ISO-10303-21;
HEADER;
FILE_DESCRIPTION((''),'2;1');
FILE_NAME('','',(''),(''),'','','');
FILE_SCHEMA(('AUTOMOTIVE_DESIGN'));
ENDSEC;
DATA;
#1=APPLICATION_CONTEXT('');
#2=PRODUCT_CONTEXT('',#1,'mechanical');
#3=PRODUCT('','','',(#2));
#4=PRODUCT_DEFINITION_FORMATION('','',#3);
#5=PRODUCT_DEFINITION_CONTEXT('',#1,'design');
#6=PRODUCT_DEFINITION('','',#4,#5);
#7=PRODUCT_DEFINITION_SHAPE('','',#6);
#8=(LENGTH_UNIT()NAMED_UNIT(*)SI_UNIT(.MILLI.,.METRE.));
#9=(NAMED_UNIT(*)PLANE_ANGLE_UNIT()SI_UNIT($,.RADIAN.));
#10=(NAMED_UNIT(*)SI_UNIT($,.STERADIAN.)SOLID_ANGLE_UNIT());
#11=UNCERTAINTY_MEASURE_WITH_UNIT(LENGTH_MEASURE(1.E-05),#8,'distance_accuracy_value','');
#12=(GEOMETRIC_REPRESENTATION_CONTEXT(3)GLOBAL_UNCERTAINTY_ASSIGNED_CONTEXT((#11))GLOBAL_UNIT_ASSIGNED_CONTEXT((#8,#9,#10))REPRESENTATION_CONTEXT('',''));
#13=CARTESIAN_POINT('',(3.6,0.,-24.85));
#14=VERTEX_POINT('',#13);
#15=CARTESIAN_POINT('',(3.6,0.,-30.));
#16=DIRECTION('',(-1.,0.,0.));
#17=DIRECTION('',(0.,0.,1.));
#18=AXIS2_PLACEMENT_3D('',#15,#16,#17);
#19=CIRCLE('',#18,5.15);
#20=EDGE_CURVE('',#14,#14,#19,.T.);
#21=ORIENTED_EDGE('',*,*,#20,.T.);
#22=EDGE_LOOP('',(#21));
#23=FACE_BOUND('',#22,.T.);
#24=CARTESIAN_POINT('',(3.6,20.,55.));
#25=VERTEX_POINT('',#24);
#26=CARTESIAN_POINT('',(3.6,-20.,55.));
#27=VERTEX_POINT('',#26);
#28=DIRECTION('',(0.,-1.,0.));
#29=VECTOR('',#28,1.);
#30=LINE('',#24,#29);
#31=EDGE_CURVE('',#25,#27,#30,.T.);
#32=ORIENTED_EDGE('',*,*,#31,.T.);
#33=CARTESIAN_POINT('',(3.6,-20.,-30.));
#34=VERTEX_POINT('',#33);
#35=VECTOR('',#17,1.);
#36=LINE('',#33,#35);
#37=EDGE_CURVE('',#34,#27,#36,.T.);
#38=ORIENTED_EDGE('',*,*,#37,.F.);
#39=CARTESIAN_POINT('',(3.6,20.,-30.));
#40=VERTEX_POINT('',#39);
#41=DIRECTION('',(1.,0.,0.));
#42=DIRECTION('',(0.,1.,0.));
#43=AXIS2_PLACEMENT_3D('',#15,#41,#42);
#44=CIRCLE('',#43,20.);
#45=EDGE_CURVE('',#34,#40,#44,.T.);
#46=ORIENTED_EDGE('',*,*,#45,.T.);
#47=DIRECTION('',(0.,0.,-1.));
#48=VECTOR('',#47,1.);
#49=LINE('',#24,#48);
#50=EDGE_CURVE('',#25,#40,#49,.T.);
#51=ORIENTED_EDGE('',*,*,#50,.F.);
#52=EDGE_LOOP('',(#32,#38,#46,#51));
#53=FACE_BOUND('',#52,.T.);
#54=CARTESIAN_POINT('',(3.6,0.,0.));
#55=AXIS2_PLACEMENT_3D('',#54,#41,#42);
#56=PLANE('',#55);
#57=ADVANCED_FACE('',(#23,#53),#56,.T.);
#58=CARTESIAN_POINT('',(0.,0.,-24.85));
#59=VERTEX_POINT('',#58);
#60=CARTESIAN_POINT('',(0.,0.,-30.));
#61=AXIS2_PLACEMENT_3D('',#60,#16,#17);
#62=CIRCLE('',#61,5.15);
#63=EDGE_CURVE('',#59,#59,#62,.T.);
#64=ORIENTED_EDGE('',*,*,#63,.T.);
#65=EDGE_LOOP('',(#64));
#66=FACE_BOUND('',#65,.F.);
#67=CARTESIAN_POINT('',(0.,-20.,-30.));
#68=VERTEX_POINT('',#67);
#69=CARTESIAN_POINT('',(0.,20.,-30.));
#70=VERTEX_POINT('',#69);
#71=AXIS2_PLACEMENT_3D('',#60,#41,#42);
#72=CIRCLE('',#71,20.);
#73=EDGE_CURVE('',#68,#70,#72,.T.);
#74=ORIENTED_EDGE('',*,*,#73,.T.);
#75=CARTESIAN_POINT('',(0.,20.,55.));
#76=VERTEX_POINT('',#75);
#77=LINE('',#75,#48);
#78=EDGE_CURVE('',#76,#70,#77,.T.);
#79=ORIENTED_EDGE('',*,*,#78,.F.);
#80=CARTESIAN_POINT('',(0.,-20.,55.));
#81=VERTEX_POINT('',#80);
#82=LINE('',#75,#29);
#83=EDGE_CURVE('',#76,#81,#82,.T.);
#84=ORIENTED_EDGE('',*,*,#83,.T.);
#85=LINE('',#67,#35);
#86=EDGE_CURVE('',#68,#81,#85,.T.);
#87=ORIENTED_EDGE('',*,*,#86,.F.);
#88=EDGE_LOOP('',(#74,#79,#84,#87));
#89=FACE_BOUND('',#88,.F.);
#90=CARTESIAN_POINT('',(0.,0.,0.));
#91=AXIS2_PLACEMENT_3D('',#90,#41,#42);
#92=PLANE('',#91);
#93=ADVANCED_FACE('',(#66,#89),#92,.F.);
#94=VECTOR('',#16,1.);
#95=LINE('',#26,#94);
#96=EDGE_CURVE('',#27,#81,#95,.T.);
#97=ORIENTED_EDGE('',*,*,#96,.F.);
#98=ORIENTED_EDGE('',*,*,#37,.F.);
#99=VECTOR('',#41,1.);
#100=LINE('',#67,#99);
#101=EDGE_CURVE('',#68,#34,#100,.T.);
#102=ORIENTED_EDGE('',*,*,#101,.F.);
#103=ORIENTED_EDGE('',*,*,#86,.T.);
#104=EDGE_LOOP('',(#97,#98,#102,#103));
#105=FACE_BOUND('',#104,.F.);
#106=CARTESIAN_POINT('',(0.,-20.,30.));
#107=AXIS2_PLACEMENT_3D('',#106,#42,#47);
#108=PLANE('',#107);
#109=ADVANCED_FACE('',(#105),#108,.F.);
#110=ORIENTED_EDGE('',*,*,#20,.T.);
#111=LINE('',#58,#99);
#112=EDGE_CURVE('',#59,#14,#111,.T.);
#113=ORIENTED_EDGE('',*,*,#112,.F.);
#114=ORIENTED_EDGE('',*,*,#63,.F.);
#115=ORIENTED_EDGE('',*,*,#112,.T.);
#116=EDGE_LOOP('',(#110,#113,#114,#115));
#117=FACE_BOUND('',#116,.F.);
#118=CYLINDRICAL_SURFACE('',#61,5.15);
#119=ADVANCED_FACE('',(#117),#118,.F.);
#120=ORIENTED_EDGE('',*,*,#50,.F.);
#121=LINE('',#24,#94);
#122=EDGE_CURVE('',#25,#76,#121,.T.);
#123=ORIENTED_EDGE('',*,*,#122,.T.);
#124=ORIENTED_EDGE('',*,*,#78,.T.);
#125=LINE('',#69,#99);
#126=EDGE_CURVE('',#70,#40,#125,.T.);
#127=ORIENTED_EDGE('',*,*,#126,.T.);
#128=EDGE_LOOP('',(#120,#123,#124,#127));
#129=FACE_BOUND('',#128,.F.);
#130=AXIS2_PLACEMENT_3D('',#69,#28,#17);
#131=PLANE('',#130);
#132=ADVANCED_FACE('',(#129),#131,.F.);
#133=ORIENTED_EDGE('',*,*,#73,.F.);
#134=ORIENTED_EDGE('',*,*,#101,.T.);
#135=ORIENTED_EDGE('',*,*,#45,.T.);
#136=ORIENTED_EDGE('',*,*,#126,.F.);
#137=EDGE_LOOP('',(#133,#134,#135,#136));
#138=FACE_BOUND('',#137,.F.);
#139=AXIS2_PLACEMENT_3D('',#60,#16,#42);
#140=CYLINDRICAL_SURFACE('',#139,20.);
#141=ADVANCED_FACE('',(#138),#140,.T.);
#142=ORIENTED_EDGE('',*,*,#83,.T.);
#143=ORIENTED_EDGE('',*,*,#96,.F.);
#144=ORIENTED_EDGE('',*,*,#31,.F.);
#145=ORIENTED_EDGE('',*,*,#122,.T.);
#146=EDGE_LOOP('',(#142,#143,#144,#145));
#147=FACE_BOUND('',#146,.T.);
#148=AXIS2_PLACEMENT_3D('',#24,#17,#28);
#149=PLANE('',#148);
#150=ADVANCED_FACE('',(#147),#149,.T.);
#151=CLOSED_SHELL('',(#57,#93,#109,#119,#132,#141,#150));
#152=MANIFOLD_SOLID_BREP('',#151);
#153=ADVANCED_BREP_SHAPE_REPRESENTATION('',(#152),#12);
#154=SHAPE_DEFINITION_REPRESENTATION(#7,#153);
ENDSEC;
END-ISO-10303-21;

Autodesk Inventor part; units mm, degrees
ref_plane "YZ Plane" through (0, 0, 0) normal (1, 0, 0) x (0, 1, 0)
ref_plane "XZ Plane" through (0, 0, 0) normal (0, 1, 0) x (-1, 0, 0)
ref_plane "XY Plane" through (0, 0, 0) normal (0, 0, 1) x (1, 0, 0)
sketch "Sketch1" plane through (0, 0, 0) normal (1, 0, 0) x (0, 1, 0)
  line L0 (-20, -30) -> (20, -30)
  line L1 (20, -30) -> (20, 30)
  line L2 (20, 30) -> (-20, 30)
  line L3 (-20, 30) -> (-20, -30)
  line L4 (-20, -30) -> (20, 30) construction
  line L5 (20, -30) -> (-20, 30) construction
  circle A0 centre (0, -30) radius 20
  point P0 (0, 0)
  dimension "d0" = 40
  dimension "d1" = 60
extrude "Extrusion1" add sketch "Sketch1" along normal blind 3.6
sketch "Sketch4" plane through (3.6, 0, 0) normal (1, 0, 0) x (0, 0, -1)
  line L0 (-5, 20) -> (-55, 20)
  line L1 (-55, 20) -> (-55, -20)
  line L2 (-55, -20) -> (-5, -20)
  line L3 (-5, -20) -> (-5, 20)
  line L4 (0, -64) -> (0, 34) projected
  line L5 (-10, -75.9609) -> (-10, 61.6)
  line L6 (30, 20) -> (-30, 20) projected
  dimension "d40" = 50
  dimension "d41" = 40
  dimension "d50" = 10
  dimension "d51" = 5
  dimension "d53" = 0
extrude "Extrusion4" add sketch "Sketch4" against normal blind 3.6
sketch "Sketch5" plane through (0, 0, 0) normal (-1, 0, 0) x (0, 0, 1)
  line L0 (52, -47) -> (41.7, -47)
  line L1 (41.7, -47) -> (41.7, -42.7)
  line L2 (41.7, -42.7) -> (52, -42.7)
  line L3 (52, -42.7) -> (52, -47)
  line L4 (55, -20) -> (55, -6.689)
  line L5 (55, -20) -> (55, 20) projected
  line L6 (55, -50) -> (10.2215, -50)
  line L7 (5, -50) -> (55, -50) projected
  point P0 (10.2215, -50)
  dimension "d20" = 10.3
  dimension "d21" = 4.3
  dimension "d42" = 3
  dimension "d43" = 3
extrude "Extrusion5" cut sketch "Sketch5" against normal blind 4
sketch "Sketch2" plane through (0, 0, 0) normal (-1, 0, 0) x (0, 0, 1)
  arc A0 (-30, 20) -> (-30, -20) centre (-30, 0) ccw projected
  circle A1 centre (-30, 0) radius 5.15
  point P0 (0, 0)
  dimension "d4" = 10.3
extrude "Extrusion2" cut sketch "Sketch2" against normal blind 4
fillet "Fillet3" [suppressed]
properties part number "houder"
